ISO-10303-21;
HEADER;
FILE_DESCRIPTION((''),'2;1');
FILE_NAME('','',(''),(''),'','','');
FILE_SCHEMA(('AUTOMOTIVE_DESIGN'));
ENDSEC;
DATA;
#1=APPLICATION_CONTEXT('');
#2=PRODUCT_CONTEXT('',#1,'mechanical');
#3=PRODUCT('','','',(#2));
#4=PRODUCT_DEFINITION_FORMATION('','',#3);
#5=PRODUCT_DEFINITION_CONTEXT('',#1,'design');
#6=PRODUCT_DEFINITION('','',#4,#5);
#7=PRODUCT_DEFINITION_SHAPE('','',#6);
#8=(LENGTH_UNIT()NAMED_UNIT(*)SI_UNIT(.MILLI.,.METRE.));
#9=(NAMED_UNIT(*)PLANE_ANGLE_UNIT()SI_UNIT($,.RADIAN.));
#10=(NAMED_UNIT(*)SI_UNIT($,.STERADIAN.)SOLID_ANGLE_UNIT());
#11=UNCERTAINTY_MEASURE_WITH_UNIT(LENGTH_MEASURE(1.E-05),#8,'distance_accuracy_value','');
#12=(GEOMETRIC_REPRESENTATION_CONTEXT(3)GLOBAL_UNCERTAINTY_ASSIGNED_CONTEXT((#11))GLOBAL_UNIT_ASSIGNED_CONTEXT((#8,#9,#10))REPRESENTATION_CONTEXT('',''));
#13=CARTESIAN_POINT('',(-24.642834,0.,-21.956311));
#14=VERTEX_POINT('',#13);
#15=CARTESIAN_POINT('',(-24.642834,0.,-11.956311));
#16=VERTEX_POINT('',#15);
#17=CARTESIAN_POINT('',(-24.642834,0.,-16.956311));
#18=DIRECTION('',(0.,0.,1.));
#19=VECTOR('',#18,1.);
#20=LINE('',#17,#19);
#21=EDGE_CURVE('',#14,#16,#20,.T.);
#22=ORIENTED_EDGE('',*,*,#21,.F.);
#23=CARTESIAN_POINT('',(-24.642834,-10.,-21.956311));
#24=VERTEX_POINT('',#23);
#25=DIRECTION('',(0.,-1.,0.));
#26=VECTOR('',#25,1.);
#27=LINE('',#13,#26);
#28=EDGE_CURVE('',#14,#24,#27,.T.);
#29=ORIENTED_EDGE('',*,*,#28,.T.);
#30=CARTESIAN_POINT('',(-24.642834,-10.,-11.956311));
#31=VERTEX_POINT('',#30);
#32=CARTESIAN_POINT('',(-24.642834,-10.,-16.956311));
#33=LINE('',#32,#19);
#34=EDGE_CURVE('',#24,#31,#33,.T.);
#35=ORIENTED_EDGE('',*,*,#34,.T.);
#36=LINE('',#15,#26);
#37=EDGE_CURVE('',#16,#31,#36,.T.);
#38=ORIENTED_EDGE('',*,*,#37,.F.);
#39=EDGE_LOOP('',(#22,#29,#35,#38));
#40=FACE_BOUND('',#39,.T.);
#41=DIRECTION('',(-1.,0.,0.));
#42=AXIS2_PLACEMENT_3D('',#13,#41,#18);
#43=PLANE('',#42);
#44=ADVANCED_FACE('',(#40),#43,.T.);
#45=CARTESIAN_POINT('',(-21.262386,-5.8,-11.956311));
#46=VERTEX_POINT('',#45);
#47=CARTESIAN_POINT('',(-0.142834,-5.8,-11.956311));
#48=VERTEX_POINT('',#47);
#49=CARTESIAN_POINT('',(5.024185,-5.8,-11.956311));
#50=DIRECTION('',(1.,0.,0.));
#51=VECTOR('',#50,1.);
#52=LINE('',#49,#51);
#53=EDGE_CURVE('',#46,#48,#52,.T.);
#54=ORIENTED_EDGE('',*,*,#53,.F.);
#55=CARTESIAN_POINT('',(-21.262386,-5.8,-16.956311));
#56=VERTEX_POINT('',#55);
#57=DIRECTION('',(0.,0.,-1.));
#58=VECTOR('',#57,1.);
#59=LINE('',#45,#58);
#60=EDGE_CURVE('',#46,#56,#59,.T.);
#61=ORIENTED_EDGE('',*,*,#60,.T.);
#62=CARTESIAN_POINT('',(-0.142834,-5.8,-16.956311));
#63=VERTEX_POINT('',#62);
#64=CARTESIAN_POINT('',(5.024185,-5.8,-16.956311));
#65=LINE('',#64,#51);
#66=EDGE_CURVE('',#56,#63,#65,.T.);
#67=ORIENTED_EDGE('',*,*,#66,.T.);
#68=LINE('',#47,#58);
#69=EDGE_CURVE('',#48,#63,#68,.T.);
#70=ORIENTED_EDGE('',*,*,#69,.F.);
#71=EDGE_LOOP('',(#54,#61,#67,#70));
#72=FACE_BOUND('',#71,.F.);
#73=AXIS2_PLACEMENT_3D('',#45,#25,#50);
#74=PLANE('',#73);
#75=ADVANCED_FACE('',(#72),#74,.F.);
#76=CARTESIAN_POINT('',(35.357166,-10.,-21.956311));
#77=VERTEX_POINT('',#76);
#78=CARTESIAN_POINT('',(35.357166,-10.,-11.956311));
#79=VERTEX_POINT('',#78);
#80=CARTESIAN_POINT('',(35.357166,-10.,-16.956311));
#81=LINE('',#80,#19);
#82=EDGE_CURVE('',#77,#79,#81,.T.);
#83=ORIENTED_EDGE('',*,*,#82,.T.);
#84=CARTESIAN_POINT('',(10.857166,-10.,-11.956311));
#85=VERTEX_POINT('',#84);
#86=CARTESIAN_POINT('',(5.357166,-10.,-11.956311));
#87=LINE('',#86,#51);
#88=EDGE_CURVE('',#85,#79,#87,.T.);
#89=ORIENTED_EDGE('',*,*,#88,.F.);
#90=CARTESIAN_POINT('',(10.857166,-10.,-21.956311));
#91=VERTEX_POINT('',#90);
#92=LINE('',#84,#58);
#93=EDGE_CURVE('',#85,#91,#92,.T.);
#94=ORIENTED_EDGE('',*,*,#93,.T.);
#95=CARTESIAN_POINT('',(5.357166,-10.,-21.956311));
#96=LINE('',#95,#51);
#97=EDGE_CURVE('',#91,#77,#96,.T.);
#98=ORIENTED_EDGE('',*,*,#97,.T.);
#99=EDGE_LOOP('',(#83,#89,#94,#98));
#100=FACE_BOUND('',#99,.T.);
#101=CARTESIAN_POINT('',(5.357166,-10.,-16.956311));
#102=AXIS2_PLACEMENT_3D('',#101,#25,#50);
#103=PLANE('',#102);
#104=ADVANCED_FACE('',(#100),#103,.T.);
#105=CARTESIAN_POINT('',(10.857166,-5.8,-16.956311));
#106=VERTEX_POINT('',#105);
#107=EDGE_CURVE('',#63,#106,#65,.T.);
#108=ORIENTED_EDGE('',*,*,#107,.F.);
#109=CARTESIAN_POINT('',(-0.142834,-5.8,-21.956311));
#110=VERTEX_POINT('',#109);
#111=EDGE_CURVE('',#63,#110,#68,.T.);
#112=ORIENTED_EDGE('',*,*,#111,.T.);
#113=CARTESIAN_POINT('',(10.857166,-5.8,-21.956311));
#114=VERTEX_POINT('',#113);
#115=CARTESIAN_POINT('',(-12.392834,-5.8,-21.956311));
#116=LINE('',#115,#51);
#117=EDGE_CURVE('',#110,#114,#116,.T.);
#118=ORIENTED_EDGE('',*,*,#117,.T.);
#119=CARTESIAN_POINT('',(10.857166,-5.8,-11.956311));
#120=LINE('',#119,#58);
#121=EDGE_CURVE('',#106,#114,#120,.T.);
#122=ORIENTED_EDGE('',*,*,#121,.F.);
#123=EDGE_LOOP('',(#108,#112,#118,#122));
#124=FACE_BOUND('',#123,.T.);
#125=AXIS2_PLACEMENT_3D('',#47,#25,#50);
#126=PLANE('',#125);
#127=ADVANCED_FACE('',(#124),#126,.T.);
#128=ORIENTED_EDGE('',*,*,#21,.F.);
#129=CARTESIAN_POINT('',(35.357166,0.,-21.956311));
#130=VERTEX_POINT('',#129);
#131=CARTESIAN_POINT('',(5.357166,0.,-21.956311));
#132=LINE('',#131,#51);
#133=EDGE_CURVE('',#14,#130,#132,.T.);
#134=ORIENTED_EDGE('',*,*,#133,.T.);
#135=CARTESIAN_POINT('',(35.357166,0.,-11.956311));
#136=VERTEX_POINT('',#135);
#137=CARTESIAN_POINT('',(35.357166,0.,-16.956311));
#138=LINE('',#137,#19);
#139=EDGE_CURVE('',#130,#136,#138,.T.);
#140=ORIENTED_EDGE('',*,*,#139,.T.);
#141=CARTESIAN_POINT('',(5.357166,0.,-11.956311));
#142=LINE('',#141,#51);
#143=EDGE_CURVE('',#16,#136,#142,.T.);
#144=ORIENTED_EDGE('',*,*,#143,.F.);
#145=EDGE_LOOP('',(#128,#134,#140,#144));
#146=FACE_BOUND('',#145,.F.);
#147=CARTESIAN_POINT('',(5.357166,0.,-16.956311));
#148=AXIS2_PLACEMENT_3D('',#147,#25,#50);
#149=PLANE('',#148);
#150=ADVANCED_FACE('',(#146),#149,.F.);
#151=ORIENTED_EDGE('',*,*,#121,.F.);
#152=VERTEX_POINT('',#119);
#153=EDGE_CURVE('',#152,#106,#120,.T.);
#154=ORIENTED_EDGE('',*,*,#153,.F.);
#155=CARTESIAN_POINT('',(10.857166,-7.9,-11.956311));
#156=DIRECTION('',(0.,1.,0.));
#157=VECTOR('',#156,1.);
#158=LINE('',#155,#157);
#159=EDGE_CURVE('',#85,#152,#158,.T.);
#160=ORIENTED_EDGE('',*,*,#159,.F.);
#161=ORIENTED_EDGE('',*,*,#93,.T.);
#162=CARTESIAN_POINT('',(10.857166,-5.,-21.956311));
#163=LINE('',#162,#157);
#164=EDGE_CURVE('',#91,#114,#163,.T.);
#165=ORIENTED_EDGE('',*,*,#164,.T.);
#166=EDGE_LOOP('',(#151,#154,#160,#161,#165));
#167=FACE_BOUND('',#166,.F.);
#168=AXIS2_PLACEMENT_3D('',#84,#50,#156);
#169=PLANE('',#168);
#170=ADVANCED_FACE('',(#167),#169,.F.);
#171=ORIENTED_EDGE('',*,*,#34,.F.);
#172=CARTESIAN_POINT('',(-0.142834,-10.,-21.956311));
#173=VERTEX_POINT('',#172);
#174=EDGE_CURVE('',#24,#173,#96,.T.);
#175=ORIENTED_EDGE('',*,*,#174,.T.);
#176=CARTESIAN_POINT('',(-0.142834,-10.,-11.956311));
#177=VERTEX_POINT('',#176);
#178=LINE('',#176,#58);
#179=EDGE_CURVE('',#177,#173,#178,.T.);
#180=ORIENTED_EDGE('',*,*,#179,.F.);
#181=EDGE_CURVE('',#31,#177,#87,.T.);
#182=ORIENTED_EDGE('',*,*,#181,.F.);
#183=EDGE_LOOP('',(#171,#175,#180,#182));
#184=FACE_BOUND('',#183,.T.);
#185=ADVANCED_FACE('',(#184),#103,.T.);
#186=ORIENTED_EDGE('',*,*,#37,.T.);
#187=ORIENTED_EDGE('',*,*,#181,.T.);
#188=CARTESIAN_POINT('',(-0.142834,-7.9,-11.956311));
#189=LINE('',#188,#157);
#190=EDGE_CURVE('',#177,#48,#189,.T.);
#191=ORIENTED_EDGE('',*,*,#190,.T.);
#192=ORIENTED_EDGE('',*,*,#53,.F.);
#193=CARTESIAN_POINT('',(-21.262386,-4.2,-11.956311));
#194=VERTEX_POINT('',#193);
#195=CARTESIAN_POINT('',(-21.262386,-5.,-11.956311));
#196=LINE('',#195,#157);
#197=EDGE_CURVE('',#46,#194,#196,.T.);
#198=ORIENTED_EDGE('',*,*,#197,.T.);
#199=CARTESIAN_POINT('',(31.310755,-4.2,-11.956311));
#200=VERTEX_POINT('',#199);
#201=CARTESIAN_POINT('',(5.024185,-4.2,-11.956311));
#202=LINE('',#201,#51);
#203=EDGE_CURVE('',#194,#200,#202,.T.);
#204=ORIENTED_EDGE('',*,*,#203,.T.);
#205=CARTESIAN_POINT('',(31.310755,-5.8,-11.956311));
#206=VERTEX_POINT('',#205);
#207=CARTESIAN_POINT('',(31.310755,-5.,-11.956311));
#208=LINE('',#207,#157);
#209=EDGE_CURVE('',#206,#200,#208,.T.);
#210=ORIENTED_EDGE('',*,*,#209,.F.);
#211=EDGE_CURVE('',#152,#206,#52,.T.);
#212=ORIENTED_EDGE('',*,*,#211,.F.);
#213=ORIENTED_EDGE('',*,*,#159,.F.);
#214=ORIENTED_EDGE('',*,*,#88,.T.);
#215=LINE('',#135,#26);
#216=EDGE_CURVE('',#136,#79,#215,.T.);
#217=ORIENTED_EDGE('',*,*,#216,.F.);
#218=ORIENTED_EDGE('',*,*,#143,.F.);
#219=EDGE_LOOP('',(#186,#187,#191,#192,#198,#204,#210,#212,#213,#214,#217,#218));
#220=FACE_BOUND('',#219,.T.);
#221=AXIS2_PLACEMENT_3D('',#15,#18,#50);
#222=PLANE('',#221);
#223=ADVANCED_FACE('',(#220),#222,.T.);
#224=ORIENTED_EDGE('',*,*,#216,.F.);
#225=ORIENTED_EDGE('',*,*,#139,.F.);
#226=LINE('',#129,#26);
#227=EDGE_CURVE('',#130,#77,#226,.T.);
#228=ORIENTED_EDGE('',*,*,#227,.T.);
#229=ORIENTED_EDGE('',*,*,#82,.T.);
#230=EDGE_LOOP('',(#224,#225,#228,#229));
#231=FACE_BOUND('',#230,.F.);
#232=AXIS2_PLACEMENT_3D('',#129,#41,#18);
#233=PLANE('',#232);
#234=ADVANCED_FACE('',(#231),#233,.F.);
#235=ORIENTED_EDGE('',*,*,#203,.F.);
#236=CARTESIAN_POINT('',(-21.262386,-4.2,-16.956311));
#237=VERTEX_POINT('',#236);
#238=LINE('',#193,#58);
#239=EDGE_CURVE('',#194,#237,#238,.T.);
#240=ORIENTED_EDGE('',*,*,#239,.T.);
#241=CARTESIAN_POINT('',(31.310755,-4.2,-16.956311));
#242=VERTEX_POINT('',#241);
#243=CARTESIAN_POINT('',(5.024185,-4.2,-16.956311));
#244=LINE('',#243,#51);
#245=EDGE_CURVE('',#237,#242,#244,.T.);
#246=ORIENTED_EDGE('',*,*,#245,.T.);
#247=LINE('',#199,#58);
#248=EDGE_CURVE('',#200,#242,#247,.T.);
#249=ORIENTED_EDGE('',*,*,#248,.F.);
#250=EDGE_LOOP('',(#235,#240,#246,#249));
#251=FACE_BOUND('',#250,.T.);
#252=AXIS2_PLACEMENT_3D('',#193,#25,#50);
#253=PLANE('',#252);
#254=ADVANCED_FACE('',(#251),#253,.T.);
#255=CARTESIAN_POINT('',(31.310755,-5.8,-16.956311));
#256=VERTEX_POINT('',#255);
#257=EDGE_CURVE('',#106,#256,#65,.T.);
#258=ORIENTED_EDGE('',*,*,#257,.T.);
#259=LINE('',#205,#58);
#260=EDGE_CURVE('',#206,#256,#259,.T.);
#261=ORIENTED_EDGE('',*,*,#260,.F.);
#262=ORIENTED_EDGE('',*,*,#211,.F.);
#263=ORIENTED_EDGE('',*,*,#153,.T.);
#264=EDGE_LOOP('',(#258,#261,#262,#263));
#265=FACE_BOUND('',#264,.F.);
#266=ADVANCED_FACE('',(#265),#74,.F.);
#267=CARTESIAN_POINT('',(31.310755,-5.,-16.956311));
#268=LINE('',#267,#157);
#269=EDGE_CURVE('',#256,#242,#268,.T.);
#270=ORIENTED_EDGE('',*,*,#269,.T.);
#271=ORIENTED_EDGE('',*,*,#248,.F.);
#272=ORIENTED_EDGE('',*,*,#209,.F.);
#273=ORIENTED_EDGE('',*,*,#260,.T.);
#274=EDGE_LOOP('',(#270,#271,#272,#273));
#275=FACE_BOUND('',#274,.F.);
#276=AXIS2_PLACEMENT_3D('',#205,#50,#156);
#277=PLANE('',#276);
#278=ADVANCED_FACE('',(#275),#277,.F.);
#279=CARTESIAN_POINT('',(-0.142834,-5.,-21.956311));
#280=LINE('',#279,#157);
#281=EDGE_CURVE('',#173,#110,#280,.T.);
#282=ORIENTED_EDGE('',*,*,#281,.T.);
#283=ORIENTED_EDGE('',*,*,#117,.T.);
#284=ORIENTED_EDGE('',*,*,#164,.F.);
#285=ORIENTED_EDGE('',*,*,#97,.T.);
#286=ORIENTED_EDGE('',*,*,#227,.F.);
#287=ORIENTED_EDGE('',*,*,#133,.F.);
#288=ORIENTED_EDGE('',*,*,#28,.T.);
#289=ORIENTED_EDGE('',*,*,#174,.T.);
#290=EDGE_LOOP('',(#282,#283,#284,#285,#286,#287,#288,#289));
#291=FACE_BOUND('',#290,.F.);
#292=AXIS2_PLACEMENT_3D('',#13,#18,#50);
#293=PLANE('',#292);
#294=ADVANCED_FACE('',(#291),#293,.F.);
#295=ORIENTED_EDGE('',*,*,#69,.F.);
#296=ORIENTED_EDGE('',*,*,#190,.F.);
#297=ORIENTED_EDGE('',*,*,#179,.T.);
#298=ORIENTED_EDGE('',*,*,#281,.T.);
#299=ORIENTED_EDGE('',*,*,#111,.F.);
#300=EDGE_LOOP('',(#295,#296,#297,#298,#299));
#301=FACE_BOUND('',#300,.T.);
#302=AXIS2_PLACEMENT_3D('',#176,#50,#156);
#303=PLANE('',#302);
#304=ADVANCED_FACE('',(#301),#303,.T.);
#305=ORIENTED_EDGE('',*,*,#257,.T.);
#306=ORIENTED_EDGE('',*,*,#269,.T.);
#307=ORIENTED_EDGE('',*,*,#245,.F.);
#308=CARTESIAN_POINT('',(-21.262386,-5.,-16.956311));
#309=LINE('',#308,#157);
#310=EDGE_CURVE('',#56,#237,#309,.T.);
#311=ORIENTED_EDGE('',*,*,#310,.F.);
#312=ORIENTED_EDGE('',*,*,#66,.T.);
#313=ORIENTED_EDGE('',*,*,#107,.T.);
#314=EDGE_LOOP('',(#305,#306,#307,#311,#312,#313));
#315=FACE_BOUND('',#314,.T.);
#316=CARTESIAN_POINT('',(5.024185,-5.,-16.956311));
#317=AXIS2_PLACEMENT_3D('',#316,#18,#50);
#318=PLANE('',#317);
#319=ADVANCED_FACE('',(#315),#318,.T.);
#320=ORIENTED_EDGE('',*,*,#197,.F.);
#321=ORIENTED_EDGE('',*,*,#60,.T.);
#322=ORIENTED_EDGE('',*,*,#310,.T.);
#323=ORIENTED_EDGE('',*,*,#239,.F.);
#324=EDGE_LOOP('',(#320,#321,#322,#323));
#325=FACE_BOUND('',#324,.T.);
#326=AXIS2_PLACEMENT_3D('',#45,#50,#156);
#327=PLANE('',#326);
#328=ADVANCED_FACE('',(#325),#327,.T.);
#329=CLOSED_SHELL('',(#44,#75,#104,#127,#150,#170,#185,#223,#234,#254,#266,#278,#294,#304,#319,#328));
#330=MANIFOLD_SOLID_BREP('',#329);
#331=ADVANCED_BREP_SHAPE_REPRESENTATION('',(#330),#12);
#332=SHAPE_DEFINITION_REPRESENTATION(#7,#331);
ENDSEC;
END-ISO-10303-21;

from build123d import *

# Parameters (mm, degrees)
F0_W     = 60
F0_H     = 10
F1_DEPTH = 10
F2_W     = 52.573141
F2_H     = 1.6
F3_DEPTH = 5
F4_W     = 11
F4_H     = 4.2
F5_DEPTH = 10.001


with BuildPart() as f1:
    # F0 (on Front) → F1 (new body)
    with BuildSketch(Plane.XZ):
        with Locations((5.357166, -16.956311)):
            Rectangle(F0_W, F0_H)
    extrude(amount=F1_DEPTH)

    # F2 (on face) → F3 (cut)
    with BuildSketch(Plane.XY.offset(-11.956311)):
        with Locations((5.024185, -5)):
            Rectangle(F2_W, F2_H)
    extrude(amount=-F3_DEPTH, mode=Mode.SUBTRACT)

    # F4 (on face) → F5 (cut, through all)
    with BuildSketch(Plane.XY.offset(-11.956311)):
        with Locations((5.357166, -7.9)):
            Rectangle(F4_W, F4_H)
    extrude(amount=-F5_DEPTH, mode=Mode.SUBTRACT)


solid = f1.part
